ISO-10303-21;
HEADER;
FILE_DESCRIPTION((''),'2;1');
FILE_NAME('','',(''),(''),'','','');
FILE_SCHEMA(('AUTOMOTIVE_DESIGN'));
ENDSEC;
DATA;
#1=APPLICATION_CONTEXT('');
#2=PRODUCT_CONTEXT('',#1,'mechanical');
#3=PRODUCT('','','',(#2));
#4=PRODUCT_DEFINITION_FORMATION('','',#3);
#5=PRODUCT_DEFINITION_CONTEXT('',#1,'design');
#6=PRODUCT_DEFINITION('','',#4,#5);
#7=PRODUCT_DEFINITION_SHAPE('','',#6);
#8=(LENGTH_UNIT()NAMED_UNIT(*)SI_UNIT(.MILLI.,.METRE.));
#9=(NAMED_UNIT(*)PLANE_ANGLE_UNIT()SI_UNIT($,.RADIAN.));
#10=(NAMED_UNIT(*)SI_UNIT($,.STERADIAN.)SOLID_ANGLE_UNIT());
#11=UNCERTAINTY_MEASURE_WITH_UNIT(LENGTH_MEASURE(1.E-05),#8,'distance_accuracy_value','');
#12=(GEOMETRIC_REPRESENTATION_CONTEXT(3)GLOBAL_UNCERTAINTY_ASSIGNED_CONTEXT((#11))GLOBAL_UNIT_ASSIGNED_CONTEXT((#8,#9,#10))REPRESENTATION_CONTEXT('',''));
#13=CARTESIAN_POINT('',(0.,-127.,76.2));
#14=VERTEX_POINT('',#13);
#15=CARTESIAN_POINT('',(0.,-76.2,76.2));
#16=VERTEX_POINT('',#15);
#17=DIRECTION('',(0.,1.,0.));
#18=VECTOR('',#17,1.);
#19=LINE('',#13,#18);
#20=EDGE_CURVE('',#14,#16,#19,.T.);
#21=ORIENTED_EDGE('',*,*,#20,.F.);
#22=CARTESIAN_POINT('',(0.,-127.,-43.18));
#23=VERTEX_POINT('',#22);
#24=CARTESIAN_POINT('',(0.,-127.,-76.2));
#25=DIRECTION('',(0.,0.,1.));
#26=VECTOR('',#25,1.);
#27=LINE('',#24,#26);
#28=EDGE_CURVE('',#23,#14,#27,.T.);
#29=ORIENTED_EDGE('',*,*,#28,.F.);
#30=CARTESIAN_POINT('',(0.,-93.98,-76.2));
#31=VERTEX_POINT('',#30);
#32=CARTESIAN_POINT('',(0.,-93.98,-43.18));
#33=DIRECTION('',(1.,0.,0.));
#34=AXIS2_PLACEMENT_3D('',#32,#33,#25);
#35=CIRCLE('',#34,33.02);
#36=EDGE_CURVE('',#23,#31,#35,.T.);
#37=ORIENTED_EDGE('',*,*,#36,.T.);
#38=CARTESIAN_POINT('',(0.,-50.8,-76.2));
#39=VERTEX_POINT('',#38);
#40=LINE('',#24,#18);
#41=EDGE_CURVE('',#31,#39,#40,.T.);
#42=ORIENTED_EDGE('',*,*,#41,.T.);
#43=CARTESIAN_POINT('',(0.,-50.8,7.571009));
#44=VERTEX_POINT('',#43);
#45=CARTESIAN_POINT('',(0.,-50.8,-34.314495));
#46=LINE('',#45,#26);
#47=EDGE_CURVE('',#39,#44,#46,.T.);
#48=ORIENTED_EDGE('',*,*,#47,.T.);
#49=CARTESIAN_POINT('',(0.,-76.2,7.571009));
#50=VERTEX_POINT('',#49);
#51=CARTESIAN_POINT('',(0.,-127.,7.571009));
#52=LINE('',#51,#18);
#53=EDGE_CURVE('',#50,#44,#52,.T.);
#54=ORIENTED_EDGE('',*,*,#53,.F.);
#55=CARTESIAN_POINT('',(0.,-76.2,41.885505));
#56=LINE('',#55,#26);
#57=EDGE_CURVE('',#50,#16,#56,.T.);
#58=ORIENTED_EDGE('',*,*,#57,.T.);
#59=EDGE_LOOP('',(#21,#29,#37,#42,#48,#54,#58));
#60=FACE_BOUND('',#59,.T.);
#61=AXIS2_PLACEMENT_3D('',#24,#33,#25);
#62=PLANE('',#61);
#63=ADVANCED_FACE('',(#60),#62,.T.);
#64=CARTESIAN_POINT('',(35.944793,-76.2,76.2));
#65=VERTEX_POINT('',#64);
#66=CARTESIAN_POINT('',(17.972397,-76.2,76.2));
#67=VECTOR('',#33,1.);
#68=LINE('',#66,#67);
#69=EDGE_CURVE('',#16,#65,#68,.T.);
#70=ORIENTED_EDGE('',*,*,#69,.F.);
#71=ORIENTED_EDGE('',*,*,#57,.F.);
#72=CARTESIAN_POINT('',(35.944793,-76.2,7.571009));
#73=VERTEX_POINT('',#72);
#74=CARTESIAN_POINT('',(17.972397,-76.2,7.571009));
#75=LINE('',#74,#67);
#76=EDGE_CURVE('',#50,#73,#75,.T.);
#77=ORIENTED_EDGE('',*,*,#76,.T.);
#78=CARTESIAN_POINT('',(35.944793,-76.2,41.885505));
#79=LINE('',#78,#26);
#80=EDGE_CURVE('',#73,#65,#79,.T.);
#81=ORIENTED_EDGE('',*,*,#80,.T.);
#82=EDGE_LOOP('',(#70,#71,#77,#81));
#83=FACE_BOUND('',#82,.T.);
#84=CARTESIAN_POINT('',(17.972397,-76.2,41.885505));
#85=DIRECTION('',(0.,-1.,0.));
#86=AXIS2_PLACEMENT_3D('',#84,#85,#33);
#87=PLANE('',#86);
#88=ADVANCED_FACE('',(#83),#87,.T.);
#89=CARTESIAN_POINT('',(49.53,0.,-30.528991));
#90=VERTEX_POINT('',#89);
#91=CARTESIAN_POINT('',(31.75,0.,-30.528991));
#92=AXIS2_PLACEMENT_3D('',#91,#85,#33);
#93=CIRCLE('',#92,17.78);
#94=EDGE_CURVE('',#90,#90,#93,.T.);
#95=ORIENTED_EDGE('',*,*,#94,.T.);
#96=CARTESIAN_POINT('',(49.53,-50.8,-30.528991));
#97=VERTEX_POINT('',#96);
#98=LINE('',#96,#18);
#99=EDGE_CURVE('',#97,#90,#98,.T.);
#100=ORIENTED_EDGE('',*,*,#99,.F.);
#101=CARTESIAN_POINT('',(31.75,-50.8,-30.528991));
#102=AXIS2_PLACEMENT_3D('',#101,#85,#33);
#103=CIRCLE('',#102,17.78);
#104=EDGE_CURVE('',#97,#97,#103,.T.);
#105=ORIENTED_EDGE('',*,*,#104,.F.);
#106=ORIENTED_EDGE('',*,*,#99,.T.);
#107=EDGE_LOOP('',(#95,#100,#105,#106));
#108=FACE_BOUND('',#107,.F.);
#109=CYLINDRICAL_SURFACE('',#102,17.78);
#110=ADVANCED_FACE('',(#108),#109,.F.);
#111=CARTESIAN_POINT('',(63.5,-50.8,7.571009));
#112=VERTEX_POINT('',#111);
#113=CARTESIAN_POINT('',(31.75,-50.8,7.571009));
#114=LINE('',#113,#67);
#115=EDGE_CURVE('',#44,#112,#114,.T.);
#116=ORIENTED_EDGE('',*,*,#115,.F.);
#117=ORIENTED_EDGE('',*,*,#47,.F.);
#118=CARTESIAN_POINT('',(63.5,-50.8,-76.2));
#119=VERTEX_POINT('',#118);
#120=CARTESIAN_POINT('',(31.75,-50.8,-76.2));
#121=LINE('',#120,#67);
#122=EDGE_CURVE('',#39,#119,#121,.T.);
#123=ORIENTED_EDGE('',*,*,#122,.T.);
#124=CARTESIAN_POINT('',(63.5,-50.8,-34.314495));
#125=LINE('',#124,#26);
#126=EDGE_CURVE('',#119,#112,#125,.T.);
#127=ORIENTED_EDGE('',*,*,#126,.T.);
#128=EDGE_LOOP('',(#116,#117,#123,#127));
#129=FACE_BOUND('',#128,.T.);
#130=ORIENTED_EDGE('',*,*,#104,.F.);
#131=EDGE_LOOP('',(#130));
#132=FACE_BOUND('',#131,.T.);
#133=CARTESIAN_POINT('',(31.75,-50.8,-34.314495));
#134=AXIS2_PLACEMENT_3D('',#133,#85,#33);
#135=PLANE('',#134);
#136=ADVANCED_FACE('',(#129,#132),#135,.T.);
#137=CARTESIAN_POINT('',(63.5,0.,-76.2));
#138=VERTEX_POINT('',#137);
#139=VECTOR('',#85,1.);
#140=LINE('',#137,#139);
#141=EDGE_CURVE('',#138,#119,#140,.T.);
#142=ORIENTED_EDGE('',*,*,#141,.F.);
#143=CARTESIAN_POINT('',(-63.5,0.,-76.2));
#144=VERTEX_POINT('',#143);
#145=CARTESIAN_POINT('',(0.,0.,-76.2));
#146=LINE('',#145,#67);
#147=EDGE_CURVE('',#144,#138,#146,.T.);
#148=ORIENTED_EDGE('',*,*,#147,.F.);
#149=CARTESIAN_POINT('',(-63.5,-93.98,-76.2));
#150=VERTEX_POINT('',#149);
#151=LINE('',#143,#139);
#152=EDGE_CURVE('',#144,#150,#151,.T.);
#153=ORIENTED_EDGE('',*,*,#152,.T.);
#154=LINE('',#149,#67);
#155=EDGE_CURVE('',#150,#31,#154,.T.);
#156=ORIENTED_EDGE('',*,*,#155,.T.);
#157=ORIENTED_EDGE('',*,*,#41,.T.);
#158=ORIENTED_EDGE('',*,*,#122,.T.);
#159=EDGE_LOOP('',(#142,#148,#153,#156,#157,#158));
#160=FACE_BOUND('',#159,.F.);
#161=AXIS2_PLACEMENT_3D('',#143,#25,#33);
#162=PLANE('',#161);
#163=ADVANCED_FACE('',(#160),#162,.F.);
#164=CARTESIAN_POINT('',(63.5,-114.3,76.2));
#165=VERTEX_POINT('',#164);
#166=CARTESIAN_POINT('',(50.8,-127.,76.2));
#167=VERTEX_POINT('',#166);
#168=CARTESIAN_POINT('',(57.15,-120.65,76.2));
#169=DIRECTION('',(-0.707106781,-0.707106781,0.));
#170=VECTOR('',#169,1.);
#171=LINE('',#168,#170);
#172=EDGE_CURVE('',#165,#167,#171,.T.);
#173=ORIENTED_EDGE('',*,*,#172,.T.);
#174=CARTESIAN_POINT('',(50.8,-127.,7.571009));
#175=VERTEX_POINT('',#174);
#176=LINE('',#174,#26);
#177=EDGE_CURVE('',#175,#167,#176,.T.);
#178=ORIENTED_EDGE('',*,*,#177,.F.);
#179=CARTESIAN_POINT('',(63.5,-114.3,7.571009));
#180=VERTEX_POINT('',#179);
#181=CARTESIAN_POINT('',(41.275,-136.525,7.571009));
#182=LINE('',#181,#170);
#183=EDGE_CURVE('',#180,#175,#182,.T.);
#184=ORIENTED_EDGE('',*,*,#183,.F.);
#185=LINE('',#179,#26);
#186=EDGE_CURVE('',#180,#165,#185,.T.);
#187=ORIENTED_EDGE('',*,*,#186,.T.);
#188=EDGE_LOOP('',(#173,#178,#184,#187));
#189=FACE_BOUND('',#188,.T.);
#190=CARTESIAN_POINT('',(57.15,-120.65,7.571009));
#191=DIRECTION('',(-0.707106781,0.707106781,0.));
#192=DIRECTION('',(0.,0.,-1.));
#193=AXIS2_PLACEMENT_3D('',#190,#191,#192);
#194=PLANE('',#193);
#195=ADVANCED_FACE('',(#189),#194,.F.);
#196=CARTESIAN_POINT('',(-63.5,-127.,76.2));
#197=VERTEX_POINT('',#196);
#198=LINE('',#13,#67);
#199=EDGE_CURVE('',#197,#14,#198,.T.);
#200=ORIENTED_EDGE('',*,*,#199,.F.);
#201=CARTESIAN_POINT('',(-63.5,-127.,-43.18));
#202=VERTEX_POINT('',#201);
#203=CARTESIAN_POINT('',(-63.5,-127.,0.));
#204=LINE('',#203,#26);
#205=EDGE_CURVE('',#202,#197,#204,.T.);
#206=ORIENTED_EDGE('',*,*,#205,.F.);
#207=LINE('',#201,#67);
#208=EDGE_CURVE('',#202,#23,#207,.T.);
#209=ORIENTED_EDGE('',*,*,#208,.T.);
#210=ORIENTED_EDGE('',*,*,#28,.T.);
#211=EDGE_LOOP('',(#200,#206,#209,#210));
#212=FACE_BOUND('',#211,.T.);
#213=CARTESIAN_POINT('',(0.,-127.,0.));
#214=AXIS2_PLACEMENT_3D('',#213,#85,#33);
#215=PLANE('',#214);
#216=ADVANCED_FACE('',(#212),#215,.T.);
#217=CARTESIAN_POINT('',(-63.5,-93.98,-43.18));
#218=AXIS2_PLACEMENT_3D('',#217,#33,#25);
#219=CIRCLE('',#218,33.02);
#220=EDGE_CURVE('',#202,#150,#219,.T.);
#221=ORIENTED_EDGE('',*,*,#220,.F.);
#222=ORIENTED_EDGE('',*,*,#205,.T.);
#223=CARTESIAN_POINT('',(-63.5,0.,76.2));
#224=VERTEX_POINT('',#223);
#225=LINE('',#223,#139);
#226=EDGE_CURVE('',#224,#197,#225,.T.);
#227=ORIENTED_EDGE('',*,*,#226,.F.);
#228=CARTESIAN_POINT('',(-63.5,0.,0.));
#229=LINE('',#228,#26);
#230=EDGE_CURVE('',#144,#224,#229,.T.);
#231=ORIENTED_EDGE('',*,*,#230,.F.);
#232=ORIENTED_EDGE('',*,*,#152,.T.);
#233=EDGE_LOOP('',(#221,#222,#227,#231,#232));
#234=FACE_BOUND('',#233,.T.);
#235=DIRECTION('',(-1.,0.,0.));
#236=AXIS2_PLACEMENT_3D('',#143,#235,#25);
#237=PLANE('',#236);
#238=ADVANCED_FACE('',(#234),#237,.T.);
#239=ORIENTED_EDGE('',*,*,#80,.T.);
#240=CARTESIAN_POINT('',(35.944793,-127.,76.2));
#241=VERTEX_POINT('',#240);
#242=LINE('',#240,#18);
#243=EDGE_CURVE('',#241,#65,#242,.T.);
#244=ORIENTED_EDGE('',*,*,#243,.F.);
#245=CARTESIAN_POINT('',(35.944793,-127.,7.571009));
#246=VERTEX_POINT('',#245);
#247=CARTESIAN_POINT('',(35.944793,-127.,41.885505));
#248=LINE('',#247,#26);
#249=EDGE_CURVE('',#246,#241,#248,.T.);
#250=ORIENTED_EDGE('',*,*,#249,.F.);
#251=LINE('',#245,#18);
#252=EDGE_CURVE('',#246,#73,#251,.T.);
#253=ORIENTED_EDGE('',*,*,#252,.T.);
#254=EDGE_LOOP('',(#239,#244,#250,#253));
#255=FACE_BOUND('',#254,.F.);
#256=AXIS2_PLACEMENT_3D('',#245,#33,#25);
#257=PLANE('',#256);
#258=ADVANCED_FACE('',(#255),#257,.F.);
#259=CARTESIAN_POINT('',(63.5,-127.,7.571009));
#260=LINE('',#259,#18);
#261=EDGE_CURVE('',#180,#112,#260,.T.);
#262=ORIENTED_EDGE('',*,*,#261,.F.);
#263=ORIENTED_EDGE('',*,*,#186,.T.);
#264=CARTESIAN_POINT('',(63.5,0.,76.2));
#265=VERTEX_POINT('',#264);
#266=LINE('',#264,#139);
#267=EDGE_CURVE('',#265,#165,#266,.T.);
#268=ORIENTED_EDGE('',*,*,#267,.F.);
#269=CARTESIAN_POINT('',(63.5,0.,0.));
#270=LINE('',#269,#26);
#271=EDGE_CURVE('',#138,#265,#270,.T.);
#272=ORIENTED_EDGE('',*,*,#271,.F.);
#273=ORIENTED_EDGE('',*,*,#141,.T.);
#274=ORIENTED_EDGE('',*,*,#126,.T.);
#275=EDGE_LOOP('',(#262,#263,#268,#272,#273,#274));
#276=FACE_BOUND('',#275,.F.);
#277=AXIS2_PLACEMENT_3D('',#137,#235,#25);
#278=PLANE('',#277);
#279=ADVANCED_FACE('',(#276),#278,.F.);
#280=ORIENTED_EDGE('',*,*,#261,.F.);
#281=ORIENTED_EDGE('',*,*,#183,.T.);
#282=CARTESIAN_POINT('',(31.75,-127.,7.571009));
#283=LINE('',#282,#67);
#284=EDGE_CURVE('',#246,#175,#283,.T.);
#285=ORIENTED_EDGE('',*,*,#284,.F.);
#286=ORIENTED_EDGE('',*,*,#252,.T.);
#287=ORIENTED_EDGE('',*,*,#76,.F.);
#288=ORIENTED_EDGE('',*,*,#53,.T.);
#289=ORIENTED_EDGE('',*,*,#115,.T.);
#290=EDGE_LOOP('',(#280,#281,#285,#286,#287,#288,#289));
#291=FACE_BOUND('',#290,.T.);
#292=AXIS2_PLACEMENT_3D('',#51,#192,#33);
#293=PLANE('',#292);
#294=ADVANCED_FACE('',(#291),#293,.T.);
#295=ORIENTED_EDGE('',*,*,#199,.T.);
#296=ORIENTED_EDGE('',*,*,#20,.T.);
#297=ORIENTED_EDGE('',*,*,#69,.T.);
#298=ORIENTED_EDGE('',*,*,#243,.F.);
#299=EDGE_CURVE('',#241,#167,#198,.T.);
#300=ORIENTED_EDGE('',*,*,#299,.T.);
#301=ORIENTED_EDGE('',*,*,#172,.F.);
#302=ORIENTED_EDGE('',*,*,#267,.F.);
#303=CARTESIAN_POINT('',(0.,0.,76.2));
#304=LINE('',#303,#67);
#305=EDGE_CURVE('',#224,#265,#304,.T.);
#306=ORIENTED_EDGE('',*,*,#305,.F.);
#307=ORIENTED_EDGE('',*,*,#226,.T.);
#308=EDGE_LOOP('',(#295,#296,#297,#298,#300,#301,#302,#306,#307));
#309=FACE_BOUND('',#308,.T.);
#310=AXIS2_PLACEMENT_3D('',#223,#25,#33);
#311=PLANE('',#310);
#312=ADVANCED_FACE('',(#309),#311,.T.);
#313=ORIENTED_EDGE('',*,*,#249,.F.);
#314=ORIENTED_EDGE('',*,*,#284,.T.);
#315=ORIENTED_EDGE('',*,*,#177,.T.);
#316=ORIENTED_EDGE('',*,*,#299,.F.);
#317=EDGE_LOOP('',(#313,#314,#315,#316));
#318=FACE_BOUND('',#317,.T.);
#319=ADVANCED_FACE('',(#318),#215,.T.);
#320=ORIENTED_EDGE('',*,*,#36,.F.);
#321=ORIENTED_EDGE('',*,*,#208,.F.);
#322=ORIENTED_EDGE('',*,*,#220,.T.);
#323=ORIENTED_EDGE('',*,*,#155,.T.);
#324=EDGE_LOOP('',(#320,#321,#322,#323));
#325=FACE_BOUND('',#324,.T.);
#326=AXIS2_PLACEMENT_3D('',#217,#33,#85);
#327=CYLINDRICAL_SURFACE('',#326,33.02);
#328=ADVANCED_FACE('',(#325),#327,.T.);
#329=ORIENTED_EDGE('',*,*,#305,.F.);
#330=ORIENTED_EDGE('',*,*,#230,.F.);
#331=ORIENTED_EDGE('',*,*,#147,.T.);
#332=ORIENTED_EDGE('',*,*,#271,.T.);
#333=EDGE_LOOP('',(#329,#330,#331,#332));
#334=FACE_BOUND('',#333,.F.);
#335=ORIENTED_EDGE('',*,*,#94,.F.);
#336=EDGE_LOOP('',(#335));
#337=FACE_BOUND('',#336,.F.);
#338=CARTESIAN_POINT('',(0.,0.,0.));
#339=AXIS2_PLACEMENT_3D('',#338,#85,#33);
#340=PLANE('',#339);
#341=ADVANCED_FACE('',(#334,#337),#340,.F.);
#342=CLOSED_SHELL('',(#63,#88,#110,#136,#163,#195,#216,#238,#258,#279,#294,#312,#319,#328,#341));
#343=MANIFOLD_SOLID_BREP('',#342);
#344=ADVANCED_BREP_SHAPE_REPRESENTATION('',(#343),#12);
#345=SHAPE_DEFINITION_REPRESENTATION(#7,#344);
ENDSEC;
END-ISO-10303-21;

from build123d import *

# Parameters (mm, degrees)
F0_W     = 127
F0_H     = 152.4
F1_DEPTH = 127
F2_W     = 63.5
F2_H     = 83.7710094534
F3_DEPTH = 76.2
F4_R     = 17.78
F5_DEPTH = 50.8
F6_W     = 35.9447933733
F6_H     = 68.6289905466
F7_DEPTH = 50.8
F8_R     = 33.02
F9_SIZE  = 12.7


with BuildPart() as f1:
    # F0 (on Front) → F1 (new body)
    with BuildSketch(Plane.XZ):
        Rectangle(F0_W, F0_H)
    extrude(amount=F1_DEPTH)

    # F2 (on face) → F3 (cut)
    with BuildSketch(Plane.XZ.offset(127)):
        with Locations((31.75, -34.3144952733)):
            Rectangle(F2_W, F2_H)
    extrude(amount=-F3_DEPTH, mode=Mode.SUBTRACT)

    # F4 (on face) → F5 (cut, through all)
    with BuildSketch(Plane.XZ.offset(50.8)):
        with Locations((31.75, -30.5289905466)):
            Circle(F4_R)
    extrude(amount=-F5_DEPTH, mode=Mode.SUBTRACT)

    # F6 (on face) → F7 (cut)
    with BuildSketch(Plane.XZ.offset(127)):
        with Locations((17.9723966867, 41.8855047267)):
            Rectangle(F6_W, F6_H)
    extrude(amount=-F7_DEPTH, mode=Mode.SUBTRACT)

    # F8
    f8_edges = [f1.edges().sort_by_distance(p)[0] for p in [
        (-31.75, -127, -76.2),
    ]]
    fillet(f8_edges, radius=F8_R)

    # F9
    f9_edges = [f1.edges().sort_by_distance(p)[0] for p in [
        (63.5, -127, 41.885505),
    ]]
    chamfer(f9_edges, length=F9_SIZE)


solid = f1.part
